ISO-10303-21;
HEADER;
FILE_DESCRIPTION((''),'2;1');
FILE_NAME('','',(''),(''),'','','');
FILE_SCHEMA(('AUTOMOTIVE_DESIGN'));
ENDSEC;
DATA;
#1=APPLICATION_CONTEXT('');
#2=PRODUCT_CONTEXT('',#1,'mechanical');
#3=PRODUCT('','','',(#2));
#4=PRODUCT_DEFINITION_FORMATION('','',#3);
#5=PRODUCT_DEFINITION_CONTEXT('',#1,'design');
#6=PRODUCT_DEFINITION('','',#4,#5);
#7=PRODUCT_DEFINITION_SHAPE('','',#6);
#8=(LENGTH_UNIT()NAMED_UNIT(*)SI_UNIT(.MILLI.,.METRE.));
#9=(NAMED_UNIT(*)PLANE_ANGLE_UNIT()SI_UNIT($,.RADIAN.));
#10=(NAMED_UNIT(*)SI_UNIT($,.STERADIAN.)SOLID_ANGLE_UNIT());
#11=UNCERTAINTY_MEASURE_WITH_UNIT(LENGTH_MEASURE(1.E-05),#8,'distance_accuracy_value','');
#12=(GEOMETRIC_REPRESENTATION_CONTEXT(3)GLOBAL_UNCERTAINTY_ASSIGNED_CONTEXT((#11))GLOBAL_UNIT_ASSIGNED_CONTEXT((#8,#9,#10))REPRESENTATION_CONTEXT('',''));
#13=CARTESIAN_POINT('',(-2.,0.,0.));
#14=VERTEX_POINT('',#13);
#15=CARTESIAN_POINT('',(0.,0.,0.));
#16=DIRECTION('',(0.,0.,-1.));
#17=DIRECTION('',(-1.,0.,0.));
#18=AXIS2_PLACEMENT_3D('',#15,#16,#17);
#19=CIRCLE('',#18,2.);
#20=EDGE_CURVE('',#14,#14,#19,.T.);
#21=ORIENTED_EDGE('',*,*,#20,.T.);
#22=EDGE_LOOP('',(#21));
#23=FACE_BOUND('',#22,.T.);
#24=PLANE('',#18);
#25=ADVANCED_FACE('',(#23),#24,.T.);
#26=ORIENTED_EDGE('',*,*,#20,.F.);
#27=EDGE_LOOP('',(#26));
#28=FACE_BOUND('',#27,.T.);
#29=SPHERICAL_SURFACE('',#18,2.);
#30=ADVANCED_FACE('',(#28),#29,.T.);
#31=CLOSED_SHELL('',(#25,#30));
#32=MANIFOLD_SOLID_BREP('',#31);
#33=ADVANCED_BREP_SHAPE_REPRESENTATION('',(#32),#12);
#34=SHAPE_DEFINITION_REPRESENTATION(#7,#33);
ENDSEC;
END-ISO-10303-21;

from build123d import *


with BuildPart() as part:
    # Эскиз1 → Повернуть1 (revolve)
    with BuildSketch(Plane(origin=(0, 0, 0), x_dir=(1, 0, 0), z_dir=(0, 1, 0))):
        with BuildLine():
            Line((0, 0), (0, -2))
            ThreePointArc((0, -2), (-1.414213562, -1.414213562), (-2, 0))
            Line((-2, 0), (0, 0))
        make_face()
    revolve(axis=Axis((0, 0, 0), (0, 0, 1)))


solid = part.part
